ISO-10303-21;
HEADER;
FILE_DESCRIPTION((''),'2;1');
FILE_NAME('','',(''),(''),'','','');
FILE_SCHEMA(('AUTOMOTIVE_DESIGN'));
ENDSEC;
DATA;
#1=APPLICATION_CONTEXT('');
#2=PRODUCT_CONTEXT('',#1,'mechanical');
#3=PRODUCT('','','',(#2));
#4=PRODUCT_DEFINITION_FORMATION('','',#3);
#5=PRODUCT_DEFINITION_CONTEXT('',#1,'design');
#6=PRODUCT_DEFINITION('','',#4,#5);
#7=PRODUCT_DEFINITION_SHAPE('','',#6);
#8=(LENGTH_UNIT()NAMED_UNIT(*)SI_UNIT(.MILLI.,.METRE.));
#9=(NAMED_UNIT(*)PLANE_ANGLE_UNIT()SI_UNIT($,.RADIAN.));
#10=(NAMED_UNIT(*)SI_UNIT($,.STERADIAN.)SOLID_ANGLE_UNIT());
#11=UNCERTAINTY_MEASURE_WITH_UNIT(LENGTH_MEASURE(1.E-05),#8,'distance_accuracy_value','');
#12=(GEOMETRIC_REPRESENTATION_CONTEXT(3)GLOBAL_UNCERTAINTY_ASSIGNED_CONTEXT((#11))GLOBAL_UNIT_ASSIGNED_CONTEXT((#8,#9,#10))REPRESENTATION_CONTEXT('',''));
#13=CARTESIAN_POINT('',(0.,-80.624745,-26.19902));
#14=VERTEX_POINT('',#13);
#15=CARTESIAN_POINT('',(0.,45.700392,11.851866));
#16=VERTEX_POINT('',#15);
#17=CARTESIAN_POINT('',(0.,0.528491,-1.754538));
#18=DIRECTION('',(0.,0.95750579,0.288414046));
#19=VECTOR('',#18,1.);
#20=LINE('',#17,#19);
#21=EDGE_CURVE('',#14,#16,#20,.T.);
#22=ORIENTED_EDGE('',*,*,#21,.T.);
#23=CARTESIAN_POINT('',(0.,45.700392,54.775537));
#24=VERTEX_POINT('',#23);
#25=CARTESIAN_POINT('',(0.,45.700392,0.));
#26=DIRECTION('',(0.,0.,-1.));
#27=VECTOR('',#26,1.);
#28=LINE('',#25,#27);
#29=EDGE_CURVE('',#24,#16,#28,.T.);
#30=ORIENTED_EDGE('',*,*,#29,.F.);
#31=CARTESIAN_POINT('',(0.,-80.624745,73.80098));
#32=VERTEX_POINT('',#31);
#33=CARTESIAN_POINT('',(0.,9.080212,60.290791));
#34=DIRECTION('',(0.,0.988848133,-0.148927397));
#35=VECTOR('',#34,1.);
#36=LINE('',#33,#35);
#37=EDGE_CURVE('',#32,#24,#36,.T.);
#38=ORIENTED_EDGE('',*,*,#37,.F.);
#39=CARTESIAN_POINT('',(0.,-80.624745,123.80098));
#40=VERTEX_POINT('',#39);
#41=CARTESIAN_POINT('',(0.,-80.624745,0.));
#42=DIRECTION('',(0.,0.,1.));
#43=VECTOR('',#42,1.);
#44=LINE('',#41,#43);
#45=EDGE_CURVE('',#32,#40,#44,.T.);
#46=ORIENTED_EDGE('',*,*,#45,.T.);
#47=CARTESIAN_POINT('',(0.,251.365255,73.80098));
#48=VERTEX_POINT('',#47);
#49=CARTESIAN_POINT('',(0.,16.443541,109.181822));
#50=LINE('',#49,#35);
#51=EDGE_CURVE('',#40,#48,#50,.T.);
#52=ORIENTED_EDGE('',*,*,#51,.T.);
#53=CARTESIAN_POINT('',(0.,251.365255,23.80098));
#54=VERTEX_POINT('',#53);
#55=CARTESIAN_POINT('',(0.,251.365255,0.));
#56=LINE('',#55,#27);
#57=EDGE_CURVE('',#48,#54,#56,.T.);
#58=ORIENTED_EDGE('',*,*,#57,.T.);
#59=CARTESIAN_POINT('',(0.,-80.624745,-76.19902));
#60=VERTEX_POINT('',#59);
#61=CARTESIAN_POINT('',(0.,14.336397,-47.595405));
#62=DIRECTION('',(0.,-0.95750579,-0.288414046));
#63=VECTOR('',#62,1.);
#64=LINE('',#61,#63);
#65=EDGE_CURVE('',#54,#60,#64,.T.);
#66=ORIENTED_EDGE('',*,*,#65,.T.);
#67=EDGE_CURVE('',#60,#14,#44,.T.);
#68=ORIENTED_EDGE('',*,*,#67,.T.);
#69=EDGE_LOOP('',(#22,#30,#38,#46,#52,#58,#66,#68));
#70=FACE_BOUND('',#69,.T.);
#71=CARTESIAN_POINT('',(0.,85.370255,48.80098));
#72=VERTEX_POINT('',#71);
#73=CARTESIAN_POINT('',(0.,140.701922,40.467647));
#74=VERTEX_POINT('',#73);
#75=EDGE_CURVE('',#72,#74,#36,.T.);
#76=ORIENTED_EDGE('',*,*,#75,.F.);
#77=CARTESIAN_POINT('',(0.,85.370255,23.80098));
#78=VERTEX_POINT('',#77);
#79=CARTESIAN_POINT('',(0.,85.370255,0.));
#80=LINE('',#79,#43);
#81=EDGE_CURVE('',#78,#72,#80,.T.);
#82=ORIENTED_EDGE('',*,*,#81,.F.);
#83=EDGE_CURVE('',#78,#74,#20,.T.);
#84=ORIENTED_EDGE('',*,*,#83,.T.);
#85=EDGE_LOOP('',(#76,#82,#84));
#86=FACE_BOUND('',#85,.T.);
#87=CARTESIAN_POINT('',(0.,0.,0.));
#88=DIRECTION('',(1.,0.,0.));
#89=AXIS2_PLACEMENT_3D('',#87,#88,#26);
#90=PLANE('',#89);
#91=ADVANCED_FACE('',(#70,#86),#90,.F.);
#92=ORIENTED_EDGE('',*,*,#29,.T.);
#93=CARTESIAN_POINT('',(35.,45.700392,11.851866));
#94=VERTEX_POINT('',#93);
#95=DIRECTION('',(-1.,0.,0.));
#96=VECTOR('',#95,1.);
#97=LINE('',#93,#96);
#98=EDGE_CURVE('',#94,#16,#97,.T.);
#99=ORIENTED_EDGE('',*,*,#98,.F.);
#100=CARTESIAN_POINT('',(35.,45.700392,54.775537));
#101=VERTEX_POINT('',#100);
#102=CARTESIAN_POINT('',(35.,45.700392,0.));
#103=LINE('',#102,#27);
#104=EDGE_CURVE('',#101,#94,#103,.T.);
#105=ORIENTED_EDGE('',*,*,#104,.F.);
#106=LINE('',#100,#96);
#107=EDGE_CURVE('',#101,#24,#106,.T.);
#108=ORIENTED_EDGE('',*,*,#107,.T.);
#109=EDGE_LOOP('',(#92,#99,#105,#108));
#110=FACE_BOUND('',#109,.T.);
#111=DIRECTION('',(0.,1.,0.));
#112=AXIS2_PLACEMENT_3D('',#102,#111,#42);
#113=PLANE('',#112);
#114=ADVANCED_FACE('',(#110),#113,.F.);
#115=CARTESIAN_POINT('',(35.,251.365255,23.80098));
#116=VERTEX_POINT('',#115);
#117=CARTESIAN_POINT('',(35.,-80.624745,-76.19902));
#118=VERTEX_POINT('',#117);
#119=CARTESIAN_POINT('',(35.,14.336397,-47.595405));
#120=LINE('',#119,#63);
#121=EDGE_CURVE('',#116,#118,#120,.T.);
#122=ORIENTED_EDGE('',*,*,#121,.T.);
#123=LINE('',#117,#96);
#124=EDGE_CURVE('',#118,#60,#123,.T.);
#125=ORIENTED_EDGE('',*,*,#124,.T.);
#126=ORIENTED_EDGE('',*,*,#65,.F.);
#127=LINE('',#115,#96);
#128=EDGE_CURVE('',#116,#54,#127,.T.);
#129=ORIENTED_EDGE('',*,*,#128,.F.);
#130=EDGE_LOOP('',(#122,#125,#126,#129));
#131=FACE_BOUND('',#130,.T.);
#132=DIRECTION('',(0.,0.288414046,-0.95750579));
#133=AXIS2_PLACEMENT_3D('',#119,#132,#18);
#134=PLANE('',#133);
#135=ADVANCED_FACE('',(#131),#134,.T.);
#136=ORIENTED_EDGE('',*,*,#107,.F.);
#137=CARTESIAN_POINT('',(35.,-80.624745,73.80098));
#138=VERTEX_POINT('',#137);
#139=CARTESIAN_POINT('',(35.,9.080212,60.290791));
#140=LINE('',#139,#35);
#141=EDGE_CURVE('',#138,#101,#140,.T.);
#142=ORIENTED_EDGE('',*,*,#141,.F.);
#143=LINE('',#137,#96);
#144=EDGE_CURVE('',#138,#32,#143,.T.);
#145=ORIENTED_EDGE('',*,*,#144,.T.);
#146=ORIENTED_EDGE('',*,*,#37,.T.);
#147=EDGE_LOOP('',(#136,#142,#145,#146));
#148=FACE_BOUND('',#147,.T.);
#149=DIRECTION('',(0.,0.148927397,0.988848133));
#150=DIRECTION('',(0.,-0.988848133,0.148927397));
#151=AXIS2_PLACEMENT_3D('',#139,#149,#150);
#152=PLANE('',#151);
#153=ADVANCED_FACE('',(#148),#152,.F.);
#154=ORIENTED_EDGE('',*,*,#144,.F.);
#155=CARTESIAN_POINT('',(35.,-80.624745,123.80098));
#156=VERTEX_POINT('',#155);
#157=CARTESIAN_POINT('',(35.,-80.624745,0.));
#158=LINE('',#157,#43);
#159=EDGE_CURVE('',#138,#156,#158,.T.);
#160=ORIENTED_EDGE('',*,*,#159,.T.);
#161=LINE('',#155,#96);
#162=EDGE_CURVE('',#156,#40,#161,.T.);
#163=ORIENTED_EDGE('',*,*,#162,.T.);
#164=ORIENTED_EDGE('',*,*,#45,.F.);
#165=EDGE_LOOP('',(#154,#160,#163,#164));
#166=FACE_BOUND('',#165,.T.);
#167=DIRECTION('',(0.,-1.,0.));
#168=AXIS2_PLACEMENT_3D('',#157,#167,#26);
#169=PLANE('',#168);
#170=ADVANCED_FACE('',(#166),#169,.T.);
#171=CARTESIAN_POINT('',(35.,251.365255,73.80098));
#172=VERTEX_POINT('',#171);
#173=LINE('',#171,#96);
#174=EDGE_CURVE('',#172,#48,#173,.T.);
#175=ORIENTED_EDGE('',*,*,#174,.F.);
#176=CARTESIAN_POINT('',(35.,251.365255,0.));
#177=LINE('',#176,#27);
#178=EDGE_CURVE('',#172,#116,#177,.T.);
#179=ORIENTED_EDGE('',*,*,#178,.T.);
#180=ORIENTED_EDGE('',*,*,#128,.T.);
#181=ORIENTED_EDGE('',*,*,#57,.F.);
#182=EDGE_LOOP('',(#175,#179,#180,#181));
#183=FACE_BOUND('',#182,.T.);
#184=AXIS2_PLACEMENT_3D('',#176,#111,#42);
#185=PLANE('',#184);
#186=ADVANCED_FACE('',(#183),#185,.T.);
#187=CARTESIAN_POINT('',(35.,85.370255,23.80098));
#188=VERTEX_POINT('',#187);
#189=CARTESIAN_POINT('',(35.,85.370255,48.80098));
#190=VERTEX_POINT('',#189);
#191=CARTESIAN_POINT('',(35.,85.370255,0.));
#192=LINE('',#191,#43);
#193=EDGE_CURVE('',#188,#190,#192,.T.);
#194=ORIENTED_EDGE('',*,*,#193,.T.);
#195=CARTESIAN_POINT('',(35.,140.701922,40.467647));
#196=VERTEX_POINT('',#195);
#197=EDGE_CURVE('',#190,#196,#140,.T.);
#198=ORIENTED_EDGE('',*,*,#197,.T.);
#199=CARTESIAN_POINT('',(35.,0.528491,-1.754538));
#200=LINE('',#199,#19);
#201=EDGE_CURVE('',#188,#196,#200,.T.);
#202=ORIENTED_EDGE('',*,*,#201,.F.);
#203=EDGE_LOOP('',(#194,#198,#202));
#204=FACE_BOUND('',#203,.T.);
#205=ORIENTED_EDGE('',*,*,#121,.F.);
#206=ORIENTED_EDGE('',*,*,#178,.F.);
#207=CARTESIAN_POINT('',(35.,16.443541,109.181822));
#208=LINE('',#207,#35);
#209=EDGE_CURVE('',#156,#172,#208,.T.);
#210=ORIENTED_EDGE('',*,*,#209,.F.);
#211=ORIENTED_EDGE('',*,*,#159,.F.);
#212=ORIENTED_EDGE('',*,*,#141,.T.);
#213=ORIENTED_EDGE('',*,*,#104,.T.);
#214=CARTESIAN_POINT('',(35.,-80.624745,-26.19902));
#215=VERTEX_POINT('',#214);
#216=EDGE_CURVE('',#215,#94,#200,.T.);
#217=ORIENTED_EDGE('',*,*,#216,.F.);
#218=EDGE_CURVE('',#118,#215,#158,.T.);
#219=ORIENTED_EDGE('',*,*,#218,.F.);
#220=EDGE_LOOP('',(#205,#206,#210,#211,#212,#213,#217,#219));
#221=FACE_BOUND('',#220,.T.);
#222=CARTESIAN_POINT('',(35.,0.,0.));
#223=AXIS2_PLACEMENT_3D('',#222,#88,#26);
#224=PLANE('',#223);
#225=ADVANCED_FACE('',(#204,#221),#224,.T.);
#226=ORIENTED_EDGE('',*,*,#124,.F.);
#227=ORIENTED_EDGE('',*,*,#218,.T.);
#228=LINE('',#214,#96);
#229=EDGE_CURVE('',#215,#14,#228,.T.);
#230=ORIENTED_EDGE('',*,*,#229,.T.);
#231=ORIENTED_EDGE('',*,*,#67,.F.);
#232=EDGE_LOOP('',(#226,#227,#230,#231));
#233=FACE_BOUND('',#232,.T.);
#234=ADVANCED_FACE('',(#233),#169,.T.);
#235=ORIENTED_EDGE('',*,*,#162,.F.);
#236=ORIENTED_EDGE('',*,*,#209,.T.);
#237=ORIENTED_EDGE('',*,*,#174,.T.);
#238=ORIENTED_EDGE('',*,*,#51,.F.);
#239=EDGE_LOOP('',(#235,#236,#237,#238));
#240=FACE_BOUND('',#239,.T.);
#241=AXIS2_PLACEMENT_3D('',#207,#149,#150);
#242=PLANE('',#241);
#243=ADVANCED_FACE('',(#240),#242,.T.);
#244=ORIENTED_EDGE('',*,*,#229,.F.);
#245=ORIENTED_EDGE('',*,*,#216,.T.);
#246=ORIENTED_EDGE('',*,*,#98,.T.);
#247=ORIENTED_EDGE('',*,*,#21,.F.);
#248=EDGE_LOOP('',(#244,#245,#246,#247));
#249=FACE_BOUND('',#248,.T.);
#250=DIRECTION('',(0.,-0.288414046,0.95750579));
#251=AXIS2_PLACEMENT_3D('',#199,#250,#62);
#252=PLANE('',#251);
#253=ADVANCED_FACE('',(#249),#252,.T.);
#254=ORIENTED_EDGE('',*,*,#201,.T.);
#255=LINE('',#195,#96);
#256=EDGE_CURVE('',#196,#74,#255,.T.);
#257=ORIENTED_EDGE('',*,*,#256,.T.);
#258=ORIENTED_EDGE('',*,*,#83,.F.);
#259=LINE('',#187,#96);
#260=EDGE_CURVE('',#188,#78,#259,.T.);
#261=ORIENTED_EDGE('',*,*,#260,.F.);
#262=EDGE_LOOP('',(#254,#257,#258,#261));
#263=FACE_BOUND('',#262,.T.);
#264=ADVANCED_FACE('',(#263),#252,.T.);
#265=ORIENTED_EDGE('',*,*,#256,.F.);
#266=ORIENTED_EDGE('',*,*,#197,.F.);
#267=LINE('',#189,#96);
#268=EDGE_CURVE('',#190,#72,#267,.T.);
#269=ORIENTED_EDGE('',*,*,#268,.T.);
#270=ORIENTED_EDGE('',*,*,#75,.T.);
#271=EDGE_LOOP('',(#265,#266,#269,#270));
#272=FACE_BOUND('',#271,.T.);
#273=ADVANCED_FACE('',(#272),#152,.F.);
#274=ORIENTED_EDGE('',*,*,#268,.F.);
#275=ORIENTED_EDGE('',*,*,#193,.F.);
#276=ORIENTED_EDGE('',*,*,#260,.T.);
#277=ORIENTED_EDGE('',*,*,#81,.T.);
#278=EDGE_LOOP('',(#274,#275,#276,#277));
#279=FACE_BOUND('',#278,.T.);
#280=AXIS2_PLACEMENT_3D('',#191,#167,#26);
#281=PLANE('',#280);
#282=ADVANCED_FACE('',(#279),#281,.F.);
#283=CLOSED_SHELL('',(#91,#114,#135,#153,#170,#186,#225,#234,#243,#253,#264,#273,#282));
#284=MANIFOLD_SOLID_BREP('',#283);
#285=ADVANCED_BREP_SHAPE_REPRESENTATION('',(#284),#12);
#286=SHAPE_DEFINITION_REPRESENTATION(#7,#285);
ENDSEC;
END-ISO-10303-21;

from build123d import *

# Parameters (mm, degrees)
SALIENTE_EXTRUIR1_DEPTH = 35


with BuildPart() as part:
    # Croquis3 → Saliente-Extruir1 (new body)
    with BuildSketch(Plane(origin=(0, 0, 0), x_dir=(0, 0, -1), z_dir=(1, 0, 0))):
        Polygon((-73.800980209, -80.62474503), (-123.800980209, -80.62474503), (-73.800980209, 251.36525497), (-23.800980209, 251.36525497), align=None)
        Polygon((-48.800980209, 85.37025497), (-54.775537144, 45.700391836), (-11.85186634, 45.700391836), (-23.800980209, 85.37025497), align=None)
        Polygon((-23.800980209, 85.37025497), (-11.85186634, 45.700391836), (26.199019791, -80.62474503), (76.199019791, -80.62474503), (-23.800980209, 251.36525497), (-40.467646876, 140.701921636), align=None)
    extrude(amount=SALIENTE_EXTRUIR1_DEPTH)


solid = part.part
